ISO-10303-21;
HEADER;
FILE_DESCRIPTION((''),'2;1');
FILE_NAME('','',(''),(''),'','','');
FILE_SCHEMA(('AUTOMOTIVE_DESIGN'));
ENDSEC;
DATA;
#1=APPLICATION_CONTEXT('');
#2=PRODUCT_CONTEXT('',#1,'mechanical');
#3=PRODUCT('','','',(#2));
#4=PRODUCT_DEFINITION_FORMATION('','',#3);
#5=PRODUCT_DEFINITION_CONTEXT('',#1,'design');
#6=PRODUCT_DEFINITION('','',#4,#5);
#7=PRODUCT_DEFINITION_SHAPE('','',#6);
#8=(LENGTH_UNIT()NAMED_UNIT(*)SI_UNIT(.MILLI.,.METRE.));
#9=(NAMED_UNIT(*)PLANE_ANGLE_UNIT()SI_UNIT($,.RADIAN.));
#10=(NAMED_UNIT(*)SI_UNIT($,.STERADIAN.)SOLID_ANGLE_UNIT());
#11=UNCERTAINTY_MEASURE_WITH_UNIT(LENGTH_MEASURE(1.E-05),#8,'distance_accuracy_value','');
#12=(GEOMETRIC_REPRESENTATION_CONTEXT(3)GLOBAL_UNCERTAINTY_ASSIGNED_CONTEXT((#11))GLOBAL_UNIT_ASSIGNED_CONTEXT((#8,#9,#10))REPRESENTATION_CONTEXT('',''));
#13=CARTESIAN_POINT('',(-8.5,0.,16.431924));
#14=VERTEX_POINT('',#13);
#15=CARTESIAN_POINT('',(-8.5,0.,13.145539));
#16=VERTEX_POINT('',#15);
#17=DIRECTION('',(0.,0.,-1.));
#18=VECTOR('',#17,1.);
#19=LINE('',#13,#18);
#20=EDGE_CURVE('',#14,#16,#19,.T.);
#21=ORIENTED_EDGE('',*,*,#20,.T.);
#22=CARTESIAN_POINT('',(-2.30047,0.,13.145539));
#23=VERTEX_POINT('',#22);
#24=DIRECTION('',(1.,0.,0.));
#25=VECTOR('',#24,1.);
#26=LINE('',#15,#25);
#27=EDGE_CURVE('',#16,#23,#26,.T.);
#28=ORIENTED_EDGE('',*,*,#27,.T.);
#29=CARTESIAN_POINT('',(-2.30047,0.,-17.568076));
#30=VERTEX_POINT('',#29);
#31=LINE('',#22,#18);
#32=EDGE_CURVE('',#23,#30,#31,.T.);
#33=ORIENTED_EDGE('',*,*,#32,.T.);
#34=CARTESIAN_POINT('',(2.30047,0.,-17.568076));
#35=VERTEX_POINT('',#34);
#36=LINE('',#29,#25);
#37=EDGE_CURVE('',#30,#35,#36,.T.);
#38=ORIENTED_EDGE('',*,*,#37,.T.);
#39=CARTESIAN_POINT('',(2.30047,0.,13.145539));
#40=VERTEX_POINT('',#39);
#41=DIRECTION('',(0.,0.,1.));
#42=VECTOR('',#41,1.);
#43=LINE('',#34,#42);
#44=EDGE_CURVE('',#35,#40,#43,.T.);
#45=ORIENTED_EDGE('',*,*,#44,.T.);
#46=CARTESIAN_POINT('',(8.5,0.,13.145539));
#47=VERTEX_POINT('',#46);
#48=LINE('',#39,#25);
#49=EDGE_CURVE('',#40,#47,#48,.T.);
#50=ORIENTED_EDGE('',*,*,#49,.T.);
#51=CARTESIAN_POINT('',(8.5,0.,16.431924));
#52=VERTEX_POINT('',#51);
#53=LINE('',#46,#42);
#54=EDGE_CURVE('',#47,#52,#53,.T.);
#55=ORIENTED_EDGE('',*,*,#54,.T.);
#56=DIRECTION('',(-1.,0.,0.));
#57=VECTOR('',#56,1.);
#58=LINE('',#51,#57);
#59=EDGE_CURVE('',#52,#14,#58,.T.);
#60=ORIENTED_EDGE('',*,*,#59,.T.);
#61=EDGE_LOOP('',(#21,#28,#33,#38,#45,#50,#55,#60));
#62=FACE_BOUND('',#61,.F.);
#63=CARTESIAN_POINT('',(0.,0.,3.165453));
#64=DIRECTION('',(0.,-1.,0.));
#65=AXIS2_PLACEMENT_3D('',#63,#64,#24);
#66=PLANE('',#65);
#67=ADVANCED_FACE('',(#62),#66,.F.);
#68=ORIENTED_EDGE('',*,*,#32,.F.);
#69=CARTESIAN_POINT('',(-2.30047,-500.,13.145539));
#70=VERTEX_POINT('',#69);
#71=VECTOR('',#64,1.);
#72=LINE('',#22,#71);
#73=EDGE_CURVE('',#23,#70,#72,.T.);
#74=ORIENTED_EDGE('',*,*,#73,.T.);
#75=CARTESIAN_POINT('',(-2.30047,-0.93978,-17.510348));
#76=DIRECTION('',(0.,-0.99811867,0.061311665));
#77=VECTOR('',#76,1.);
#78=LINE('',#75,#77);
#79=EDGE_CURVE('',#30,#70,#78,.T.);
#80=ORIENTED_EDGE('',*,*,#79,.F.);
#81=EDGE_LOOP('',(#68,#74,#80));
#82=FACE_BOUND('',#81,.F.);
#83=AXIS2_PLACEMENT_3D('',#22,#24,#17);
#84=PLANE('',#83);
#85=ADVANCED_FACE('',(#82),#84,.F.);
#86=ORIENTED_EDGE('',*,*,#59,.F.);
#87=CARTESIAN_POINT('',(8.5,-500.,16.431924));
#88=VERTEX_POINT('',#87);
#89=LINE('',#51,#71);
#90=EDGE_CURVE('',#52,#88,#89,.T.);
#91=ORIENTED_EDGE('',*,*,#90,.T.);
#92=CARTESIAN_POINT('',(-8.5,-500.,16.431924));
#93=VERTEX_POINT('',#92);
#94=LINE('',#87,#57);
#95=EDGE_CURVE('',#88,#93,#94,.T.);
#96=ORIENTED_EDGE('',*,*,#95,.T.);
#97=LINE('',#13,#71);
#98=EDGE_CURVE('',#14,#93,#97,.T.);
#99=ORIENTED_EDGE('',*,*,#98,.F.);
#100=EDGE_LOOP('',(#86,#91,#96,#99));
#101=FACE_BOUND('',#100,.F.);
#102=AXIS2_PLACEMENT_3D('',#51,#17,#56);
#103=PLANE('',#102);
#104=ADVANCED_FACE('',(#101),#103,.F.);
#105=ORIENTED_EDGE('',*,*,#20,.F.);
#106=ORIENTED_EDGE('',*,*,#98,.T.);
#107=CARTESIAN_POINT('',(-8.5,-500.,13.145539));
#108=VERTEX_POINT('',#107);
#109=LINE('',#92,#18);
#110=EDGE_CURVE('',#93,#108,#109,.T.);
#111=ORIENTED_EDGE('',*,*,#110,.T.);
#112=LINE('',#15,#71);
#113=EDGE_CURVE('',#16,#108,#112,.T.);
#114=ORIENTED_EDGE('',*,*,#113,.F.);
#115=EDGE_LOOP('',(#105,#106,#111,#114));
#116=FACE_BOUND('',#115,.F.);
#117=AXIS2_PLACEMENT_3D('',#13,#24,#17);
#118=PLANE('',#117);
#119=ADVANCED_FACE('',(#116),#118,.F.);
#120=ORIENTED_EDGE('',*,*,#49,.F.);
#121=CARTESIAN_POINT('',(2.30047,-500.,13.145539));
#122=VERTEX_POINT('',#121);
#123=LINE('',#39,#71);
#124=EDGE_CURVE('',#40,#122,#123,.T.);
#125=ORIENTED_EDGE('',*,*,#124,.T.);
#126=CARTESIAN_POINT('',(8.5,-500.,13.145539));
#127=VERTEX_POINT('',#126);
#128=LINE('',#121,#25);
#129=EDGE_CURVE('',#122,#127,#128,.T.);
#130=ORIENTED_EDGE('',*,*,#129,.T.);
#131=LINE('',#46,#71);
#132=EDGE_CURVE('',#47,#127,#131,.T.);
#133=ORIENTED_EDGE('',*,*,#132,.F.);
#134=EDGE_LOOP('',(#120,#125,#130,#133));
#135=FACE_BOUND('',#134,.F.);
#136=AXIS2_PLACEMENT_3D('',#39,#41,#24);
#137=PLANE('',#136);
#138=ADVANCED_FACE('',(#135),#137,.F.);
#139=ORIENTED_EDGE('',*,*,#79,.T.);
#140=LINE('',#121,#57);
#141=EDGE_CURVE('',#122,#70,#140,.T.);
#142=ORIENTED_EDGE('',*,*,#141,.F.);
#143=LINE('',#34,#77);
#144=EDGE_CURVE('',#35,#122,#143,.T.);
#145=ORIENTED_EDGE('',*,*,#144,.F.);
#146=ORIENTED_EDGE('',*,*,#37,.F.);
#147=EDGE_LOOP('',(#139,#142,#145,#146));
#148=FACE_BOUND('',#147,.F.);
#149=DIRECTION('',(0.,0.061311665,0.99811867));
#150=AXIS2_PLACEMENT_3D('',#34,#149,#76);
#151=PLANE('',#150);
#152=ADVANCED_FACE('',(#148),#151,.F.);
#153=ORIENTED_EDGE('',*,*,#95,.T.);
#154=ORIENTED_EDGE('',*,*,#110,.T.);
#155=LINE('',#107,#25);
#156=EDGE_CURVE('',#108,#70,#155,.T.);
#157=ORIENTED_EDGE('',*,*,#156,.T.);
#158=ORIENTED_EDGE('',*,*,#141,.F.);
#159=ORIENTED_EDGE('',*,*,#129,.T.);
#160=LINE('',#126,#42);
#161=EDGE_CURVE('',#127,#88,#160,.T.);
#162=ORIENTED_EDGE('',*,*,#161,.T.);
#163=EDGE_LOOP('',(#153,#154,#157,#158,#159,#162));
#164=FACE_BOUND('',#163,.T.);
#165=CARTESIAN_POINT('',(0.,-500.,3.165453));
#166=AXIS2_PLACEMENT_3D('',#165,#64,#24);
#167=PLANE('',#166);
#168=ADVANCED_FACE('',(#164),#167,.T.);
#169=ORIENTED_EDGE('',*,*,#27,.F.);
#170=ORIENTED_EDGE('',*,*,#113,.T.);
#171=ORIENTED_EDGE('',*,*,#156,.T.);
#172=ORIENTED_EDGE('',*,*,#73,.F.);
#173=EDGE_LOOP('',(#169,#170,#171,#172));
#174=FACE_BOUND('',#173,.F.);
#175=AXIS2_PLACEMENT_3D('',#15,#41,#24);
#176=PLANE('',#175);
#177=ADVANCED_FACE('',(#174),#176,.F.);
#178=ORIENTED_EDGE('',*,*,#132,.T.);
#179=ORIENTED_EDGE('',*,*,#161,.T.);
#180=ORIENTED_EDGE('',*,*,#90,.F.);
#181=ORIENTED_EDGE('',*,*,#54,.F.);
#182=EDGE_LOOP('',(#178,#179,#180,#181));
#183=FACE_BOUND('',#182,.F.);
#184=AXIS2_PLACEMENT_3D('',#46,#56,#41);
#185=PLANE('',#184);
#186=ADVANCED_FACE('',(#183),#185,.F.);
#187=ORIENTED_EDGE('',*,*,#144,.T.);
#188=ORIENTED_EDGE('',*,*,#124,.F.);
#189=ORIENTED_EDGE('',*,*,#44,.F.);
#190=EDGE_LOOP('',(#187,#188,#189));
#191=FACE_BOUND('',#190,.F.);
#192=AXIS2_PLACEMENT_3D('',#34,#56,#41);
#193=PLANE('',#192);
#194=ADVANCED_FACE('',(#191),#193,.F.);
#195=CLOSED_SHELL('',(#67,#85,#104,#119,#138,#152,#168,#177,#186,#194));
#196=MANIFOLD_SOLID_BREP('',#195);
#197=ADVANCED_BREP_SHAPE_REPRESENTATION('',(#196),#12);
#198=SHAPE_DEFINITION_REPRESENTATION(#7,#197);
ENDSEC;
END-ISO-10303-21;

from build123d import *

# Parameters (mm, degrees)
F1_DEPTH = 500
F3_DEPTH = 100


with BuildPart() as f1:
    # F0 (on Front) → F1 (new body)
    with BuildSketch(Plane.XZ):
        Polygon((0, 16.431924), (-8.5, 16.431924), (-8.5, 13.145539), (-2.30047, 13.145539), (-2.30047, -17.568076), (0, -17.568076), (2.30047, -17.568076), (2.30047, 13.145539), (8.5, 13.145539), (8.5, 16.431924), align=None)
    extrude(amount=F1_DEPTH)

    # F2 (on face) → F3 (cut)
    with BuildSketch(Plane.YZ.offset(2.30047)):
        Polygon((0, -17.568076), (-500, 13.145539), (-500, -17.568076), align=None)
    extrude(amount=-F3_DEPTH, mode=Mode.SUBTRACT)


solid = f1.part
